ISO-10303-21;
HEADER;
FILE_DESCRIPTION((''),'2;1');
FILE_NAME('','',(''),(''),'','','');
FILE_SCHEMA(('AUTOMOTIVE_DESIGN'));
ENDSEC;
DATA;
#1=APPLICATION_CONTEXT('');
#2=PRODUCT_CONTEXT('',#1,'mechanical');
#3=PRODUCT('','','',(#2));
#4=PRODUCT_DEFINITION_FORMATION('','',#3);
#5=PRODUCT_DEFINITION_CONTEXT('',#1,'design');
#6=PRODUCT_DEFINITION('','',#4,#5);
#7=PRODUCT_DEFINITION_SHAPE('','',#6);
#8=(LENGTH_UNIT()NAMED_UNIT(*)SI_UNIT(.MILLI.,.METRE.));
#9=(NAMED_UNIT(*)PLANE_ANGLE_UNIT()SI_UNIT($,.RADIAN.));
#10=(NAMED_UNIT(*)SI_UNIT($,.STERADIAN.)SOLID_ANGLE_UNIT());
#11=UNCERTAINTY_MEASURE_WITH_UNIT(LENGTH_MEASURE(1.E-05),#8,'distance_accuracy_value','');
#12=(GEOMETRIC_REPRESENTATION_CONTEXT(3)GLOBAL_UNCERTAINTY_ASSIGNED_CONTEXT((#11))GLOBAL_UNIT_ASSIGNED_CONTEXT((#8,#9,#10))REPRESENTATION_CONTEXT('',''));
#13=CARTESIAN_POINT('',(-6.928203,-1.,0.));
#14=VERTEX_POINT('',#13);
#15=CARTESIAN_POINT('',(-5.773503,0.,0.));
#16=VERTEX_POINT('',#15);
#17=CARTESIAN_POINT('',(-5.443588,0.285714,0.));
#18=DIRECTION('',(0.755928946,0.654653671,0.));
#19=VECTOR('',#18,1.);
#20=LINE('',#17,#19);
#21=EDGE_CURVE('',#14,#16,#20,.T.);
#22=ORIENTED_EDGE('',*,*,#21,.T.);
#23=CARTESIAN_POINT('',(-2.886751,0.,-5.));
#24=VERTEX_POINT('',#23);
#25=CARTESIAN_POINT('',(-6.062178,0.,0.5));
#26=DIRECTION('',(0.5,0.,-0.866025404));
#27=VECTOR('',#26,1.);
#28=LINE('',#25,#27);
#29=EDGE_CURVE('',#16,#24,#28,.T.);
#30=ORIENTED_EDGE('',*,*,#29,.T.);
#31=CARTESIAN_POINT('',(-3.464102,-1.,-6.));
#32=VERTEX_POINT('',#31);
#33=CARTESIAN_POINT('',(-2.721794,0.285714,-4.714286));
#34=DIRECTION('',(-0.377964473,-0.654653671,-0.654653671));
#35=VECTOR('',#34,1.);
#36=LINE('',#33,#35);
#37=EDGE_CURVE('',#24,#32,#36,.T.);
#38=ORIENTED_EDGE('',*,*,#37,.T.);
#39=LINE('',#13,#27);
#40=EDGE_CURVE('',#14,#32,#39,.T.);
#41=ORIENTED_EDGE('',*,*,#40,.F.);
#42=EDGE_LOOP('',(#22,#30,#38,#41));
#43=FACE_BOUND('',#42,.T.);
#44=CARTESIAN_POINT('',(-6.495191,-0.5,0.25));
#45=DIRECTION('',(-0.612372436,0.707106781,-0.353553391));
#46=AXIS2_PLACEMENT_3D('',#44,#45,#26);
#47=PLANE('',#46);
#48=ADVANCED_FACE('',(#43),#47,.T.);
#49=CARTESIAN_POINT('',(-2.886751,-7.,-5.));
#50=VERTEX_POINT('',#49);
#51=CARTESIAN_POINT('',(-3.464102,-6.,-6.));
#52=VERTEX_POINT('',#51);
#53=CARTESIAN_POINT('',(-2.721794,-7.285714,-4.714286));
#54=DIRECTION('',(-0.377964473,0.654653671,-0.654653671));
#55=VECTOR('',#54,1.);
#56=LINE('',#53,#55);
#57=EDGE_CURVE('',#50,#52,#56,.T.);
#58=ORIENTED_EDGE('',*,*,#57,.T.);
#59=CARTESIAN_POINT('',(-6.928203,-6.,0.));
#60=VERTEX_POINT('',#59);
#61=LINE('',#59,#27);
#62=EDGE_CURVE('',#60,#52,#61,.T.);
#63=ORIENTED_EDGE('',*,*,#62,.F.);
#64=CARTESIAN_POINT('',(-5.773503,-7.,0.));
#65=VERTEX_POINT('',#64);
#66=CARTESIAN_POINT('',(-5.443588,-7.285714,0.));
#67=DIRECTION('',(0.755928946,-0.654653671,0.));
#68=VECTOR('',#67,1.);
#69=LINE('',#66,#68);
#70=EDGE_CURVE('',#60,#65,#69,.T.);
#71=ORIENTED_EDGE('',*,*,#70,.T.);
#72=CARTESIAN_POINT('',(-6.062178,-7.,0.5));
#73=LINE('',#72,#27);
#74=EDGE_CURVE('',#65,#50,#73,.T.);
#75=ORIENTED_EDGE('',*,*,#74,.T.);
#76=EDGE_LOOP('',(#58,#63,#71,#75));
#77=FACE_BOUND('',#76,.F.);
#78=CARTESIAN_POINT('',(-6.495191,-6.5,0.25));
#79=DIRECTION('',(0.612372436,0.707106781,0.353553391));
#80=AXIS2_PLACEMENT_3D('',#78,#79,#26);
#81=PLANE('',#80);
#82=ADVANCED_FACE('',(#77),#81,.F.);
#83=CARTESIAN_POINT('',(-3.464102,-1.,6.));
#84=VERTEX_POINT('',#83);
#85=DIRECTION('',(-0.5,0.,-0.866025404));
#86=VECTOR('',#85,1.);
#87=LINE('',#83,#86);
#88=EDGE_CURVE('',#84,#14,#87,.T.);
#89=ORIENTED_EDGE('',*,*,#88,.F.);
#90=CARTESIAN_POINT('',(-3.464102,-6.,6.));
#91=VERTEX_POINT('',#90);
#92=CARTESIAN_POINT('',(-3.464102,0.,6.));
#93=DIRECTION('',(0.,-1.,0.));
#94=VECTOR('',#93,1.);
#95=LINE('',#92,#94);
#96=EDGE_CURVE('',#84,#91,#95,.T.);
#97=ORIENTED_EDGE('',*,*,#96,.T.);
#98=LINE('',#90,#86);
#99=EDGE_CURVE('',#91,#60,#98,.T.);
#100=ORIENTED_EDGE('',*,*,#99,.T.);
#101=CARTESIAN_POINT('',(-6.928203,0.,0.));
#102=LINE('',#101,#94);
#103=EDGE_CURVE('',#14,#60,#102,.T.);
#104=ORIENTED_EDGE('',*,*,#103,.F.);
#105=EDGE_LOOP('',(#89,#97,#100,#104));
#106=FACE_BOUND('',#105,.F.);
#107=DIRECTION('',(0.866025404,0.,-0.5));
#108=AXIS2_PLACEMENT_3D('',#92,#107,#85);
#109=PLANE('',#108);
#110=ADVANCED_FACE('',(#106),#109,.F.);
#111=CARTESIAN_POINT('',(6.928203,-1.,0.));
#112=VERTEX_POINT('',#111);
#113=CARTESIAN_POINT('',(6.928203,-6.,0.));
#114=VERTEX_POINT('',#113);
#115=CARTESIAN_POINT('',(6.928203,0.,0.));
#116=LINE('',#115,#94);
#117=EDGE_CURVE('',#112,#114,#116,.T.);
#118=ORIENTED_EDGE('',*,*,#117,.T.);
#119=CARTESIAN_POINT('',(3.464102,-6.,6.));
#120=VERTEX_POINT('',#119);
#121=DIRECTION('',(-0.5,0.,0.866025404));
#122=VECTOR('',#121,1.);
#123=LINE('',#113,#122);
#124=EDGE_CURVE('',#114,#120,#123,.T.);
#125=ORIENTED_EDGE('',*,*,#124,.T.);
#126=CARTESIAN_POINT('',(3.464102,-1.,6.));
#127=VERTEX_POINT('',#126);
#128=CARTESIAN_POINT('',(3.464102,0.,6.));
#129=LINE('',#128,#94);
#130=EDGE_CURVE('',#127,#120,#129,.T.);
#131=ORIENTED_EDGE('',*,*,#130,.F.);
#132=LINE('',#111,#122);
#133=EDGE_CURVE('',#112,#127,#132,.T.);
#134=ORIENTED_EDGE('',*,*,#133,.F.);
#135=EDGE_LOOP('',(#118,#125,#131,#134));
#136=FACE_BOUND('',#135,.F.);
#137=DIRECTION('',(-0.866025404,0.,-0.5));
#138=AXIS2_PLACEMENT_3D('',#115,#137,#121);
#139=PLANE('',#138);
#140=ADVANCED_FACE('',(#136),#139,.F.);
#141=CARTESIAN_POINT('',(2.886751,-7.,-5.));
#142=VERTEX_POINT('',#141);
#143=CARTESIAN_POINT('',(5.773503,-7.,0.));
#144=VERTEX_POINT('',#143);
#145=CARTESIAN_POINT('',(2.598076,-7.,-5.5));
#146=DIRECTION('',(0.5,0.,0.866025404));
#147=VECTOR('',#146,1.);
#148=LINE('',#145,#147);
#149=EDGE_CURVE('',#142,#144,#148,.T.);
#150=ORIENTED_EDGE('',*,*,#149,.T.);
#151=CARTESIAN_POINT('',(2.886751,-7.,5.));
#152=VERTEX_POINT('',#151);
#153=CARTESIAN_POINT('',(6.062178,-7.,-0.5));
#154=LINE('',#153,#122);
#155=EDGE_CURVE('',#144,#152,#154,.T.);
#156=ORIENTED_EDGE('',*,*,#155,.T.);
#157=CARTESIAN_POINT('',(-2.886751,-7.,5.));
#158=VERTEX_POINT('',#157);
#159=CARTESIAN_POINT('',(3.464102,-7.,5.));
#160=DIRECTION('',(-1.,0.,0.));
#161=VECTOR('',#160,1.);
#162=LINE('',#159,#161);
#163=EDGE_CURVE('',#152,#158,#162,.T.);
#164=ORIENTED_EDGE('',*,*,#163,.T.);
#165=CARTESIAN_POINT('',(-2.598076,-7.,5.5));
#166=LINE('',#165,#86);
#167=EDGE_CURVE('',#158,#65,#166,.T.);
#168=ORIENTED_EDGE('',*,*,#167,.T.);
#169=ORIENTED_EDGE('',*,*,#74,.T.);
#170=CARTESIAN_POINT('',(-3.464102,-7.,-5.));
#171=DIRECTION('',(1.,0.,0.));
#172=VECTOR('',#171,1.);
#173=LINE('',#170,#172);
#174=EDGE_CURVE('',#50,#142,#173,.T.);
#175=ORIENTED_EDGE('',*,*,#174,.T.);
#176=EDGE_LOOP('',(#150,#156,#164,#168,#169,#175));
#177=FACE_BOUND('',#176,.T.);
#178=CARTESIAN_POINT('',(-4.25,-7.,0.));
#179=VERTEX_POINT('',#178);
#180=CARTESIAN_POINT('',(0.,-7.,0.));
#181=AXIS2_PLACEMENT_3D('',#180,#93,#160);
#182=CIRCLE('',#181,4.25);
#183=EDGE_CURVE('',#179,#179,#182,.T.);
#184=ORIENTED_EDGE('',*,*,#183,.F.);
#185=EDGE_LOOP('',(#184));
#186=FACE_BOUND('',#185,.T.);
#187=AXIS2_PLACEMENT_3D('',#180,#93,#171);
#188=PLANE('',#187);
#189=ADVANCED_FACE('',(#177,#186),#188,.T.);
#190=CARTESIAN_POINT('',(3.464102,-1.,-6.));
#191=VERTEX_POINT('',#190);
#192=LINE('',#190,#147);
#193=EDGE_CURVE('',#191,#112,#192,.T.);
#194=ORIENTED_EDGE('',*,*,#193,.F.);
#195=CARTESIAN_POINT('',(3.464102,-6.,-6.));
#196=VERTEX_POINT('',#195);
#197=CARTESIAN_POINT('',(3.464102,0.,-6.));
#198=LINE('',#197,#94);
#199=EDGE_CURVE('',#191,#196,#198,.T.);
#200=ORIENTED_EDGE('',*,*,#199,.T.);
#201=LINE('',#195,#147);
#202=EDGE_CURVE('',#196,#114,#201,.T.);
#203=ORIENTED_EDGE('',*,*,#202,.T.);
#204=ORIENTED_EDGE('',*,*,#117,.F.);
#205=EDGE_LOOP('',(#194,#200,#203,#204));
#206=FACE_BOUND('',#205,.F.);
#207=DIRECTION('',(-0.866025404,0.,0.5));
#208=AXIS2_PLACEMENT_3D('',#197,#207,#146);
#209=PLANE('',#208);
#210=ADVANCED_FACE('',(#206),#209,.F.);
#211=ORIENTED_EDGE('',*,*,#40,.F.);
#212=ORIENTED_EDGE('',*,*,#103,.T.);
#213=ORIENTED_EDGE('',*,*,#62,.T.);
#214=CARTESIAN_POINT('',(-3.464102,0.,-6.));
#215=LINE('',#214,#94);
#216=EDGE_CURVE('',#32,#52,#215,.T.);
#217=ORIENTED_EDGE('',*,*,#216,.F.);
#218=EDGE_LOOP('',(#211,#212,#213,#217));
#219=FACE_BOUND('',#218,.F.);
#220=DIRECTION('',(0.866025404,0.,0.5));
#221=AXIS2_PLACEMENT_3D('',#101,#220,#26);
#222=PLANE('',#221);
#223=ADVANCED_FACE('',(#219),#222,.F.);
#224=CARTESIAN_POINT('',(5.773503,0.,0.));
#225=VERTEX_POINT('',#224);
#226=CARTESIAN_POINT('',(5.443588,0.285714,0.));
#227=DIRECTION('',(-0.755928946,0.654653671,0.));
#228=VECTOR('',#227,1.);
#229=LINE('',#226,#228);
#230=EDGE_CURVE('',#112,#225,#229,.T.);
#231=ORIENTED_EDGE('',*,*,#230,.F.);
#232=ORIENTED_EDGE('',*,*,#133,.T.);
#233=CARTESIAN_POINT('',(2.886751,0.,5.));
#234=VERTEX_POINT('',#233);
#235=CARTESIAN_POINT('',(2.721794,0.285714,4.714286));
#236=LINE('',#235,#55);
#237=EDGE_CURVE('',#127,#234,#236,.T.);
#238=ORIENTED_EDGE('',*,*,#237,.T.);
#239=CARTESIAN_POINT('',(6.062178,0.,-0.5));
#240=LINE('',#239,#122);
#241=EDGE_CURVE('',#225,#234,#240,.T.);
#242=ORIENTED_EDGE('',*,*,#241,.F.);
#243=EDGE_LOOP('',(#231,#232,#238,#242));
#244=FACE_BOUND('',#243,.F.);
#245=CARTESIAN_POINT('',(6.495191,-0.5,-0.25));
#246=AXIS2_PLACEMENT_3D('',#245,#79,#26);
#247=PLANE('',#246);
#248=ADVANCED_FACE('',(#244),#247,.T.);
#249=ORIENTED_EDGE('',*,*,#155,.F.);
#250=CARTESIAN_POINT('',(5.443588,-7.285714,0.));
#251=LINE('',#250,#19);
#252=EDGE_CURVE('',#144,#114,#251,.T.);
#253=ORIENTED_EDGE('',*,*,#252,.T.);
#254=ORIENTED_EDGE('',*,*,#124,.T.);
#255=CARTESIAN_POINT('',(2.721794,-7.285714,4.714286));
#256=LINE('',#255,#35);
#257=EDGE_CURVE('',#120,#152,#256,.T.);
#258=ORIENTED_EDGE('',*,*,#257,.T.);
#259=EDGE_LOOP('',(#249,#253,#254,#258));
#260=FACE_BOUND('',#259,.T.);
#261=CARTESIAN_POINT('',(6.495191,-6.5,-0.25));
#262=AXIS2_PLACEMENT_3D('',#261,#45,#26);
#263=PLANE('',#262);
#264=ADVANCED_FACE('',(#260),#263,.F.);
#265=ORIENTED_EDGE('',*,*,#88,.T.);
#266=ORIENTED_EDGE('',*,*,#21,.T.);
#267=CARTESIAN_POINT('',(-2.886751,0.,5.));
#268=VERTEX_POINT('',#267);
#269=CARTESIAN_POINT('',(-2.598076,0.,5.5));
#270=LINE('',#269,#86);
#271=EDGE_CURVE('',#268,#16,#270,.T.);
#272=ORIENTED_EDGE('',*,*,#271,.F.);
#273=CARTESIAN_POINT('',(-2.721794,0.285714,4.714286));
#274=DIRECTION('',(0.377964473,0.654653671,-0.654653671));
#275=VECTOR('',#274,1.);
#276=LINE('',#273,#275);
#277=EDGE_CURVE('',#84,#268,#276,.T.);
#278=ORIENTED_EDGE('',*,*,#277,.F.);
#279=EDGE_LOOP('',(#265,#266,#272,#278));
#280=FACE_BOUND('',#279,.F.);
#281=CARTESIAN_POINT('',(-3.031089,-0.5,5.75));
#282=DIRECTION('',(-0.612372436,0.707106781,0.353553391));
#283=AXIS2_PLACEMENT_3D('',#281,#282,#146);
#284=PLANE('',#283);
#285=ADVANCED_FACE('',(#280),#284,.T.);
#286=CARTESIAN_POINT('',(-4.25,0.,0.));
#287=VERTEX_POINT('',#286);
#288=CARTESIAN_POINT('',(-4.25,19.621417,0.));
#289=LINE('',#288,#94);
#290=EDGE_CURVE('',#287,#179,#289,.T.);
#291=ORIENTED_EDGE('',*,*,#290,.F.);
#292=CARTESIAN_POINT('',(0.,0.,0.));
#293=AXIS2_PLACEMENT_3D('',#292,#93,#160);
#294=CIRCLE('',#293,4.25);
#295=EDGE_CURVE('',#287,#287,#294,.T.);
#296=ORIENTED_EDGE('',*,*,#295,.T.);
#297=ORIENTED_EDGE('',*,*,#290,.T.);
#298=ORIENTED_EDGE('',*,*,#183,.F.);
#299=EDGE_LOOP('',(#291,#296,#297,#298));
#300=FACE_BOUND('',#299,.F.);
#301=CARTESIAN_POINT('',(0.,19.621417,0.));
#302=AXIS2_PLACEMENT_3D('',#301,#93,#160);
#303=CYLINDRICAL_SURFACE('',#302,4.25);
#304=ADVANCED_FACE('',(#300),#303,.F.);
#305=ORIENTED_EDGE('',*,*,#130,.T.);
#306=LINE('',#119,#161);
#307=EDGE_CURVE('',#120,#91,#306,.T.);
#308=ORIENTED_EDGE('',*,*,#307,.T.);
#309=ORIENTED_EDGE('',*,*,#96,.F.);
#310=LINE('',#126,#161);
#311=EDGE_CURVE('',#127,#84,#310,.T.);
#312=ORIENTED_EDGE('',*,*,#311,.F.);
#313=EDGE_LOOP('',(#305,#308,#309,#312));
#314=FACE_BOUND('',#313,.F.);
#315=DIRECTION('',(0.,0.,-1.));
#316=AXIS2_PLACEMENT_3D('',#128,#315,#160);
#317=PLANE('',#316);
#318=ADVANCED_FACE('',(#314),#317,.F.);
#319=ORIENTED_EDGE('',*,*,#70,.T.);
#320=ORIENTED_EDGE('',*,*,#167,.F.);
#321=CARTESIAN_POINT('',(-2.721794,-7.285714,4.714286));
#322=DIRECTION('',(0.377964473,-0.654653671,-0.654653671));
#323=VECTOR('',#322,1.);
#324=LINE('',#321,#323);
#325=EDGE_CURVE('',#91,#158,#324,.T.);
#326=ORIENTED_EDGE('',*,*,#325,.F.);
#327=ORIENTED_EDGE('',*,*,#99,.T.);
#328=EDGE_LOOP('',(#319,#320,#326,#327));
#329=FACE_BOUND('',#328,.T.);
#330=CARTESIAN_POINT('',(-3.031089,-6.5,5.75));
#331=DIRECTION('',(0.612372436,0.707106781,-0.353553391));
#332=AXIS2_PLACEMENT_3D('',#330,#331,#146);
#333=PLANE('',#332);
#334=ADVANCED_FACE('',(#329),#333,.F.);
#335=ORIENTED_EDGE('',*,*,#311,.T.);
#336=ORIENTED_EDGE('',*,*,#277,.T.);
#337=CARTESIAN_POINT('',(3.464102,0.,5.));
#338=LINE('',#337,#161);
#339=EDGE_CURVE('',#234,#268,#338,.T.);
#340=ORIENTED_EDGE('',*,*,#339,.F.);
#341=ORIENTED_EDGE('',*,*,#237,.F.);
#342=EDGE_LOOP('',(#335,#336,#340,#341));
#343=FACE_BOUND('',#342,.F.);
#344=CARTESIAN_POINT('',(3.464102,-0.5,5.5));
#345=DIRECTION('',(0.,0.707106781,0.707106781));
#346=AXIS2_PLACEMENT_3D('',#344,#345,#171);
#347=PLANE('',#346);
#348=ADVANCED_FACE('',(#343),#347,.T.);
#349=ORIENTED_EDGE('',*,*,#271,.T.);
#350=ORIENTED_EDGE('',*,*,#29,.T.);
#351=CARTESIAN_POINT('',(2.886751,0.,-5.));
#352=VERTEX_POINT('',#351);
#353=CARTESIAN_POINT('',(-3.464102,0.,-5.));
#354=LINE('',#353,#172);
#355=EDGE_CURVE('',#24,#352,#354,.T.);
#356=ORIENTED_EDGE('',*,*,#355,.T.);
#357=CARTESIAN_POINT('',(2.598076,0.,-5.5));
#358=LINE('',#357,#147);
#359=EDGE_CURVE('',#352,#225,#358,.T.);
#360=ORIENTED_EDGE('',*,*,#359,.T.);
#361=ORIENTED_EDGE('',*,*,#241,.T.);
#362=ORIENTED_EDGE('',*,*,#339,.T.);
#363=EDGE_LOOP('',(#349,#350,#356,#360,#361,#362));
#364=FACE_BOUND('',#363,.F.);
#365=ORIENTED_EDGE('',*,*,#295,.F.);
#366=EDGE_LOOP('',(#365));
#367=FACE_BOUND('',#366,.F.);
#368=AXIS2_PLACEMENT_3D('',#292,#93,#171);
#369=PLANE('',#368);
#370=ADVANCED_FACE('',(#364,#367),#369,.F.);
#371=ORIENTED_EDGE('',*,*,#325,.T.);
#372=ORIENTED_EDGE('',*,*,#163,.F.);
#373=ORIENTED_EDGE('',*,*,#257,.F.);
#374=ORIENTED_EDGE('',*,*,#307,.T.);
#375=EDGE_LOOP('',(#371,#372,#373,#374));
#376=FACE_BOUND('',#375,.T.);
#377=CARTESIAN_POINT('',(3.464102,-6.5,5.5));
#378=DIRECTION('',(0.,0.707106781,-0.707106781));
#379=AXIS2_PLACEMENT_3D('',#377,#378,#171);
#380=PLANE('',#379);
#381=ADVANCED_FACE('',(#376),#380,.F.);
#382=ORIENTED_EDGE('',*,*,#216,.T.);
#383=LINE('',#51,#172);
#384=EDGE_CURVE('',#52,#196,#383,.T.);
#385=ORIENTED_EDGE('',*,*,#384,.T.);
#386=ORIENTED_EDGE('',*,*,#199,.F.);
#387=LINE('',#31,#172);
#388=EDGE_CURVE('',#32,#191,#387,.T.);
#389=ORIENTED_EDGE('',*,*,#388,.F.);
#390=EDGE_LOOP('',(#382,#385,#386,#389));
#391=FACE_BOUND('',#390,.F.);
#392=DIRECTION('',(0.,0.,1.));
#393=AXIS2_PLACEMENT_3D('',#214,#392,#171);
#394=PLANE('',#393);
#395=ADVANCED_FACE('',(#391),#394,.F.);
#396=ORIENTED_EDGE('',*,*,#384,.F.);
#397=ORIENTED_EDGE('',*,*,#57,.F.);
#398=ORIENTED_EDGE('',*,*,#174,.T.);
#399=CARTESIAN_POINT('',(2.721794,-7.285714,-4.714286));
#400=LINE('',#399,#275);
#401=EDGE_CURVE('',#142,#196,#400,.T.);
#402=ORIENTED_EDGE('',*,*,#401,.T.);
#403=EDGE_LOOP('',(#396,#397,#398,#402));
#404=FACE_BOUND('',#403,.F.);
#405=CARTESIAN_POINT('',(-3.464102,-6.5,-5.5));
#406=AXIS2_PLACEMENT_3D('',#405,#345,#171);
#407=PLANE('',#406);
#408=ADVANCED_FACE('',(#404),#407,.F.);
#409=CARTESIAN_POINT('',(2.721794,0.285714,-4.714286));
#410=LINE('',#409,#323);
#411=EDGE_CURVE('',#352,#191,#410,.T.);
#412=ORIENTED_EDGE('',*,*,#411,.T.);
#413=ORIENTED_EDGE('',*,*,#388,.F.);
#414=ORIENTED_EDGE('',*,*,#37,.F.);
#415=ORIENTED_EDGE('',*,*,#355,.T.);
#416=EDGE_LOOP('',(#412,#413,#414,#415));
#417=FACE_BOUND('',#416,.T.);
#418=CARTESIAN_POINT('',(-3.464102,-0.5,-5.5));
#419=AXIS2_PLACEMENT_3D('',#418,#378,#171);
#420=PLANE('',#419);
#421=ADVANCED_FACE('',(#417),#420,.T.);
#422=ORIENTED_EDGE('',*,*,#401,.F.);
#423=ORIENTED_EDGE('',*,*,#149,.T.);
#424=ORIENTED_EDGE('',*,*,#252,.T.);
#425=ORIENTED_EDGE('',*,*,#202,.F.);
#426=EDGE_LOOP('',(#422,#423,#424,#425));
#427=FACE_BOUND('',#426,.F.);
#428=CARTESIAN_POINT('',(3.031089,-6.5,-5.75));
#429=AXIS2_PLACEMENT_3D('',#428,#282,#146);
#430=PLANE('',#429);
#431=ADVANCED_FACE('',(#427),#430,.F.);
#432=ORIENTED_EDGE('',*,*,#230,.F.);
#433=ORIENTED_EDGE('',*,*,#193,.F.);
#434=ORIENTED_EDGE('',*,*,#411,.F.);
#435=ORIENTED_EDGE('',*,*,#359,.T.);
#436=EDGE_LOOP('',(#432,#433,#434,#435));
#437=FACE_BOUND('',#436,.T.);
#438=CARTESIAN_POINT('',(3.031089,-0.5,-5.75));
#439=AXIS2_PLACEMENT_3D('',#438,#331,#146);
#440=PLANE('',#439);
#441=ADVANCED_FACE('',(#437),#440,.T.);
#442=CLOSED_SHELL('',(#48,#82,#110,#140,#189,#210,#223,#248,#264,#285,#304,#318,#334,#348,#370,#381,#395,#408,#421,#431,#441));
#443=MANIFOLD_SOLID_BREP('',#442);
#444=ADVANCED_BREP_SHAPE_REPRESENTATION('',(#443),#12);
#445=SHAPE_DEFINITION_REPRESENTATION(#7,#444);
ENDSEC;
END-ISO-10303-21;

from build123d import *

# Parameters (mm, degrees)
F1_DEPTH = 7
F2_D     = 8.5
F3_SIZE  = 1


with BuildPart() as f1:
    # F0 (on Front) → F1 (new body)
    with BuildSketch(Plane.XZ):
        Polygon((3.4641016151, 6), (-3.4641016151, 6), (-6.9282032303, 0), (-3.4641016151, -6), (3.4641016151, -6), (6.9282032303, 0), align=None)
    extrude(amount=F1_DEPTH)

    # F2 (through all)
    with Locations(Plane(origin=(0, 0, 0), x_dir=(1, 0, 0), z_dir=(0, 1, 0))):
        with Locations((0, 0)):
            Hole(F2_D / 2)

    # F3
    f3_edges = [f1.edges().sort_by_distance(p)[0] for p in [
        (0, -7, 6),
        (-5.196152, -7, 3),
        (-5.196152, -7, -3),
        (0, -7, -6),
        (5.196152, -7, -3),
        (5.196152, -7, 3),
        (5.196152, 0, 3),
        (0, 0, 6),
        (-5.196152, 0, 3),
        (-5.196152, 0, -3),
        (0, 0, -6),
        (5.196152, 0, -3),
    ]]
    chamfer(f3_edges, length=F3_SIZE)


solid = f1.part
